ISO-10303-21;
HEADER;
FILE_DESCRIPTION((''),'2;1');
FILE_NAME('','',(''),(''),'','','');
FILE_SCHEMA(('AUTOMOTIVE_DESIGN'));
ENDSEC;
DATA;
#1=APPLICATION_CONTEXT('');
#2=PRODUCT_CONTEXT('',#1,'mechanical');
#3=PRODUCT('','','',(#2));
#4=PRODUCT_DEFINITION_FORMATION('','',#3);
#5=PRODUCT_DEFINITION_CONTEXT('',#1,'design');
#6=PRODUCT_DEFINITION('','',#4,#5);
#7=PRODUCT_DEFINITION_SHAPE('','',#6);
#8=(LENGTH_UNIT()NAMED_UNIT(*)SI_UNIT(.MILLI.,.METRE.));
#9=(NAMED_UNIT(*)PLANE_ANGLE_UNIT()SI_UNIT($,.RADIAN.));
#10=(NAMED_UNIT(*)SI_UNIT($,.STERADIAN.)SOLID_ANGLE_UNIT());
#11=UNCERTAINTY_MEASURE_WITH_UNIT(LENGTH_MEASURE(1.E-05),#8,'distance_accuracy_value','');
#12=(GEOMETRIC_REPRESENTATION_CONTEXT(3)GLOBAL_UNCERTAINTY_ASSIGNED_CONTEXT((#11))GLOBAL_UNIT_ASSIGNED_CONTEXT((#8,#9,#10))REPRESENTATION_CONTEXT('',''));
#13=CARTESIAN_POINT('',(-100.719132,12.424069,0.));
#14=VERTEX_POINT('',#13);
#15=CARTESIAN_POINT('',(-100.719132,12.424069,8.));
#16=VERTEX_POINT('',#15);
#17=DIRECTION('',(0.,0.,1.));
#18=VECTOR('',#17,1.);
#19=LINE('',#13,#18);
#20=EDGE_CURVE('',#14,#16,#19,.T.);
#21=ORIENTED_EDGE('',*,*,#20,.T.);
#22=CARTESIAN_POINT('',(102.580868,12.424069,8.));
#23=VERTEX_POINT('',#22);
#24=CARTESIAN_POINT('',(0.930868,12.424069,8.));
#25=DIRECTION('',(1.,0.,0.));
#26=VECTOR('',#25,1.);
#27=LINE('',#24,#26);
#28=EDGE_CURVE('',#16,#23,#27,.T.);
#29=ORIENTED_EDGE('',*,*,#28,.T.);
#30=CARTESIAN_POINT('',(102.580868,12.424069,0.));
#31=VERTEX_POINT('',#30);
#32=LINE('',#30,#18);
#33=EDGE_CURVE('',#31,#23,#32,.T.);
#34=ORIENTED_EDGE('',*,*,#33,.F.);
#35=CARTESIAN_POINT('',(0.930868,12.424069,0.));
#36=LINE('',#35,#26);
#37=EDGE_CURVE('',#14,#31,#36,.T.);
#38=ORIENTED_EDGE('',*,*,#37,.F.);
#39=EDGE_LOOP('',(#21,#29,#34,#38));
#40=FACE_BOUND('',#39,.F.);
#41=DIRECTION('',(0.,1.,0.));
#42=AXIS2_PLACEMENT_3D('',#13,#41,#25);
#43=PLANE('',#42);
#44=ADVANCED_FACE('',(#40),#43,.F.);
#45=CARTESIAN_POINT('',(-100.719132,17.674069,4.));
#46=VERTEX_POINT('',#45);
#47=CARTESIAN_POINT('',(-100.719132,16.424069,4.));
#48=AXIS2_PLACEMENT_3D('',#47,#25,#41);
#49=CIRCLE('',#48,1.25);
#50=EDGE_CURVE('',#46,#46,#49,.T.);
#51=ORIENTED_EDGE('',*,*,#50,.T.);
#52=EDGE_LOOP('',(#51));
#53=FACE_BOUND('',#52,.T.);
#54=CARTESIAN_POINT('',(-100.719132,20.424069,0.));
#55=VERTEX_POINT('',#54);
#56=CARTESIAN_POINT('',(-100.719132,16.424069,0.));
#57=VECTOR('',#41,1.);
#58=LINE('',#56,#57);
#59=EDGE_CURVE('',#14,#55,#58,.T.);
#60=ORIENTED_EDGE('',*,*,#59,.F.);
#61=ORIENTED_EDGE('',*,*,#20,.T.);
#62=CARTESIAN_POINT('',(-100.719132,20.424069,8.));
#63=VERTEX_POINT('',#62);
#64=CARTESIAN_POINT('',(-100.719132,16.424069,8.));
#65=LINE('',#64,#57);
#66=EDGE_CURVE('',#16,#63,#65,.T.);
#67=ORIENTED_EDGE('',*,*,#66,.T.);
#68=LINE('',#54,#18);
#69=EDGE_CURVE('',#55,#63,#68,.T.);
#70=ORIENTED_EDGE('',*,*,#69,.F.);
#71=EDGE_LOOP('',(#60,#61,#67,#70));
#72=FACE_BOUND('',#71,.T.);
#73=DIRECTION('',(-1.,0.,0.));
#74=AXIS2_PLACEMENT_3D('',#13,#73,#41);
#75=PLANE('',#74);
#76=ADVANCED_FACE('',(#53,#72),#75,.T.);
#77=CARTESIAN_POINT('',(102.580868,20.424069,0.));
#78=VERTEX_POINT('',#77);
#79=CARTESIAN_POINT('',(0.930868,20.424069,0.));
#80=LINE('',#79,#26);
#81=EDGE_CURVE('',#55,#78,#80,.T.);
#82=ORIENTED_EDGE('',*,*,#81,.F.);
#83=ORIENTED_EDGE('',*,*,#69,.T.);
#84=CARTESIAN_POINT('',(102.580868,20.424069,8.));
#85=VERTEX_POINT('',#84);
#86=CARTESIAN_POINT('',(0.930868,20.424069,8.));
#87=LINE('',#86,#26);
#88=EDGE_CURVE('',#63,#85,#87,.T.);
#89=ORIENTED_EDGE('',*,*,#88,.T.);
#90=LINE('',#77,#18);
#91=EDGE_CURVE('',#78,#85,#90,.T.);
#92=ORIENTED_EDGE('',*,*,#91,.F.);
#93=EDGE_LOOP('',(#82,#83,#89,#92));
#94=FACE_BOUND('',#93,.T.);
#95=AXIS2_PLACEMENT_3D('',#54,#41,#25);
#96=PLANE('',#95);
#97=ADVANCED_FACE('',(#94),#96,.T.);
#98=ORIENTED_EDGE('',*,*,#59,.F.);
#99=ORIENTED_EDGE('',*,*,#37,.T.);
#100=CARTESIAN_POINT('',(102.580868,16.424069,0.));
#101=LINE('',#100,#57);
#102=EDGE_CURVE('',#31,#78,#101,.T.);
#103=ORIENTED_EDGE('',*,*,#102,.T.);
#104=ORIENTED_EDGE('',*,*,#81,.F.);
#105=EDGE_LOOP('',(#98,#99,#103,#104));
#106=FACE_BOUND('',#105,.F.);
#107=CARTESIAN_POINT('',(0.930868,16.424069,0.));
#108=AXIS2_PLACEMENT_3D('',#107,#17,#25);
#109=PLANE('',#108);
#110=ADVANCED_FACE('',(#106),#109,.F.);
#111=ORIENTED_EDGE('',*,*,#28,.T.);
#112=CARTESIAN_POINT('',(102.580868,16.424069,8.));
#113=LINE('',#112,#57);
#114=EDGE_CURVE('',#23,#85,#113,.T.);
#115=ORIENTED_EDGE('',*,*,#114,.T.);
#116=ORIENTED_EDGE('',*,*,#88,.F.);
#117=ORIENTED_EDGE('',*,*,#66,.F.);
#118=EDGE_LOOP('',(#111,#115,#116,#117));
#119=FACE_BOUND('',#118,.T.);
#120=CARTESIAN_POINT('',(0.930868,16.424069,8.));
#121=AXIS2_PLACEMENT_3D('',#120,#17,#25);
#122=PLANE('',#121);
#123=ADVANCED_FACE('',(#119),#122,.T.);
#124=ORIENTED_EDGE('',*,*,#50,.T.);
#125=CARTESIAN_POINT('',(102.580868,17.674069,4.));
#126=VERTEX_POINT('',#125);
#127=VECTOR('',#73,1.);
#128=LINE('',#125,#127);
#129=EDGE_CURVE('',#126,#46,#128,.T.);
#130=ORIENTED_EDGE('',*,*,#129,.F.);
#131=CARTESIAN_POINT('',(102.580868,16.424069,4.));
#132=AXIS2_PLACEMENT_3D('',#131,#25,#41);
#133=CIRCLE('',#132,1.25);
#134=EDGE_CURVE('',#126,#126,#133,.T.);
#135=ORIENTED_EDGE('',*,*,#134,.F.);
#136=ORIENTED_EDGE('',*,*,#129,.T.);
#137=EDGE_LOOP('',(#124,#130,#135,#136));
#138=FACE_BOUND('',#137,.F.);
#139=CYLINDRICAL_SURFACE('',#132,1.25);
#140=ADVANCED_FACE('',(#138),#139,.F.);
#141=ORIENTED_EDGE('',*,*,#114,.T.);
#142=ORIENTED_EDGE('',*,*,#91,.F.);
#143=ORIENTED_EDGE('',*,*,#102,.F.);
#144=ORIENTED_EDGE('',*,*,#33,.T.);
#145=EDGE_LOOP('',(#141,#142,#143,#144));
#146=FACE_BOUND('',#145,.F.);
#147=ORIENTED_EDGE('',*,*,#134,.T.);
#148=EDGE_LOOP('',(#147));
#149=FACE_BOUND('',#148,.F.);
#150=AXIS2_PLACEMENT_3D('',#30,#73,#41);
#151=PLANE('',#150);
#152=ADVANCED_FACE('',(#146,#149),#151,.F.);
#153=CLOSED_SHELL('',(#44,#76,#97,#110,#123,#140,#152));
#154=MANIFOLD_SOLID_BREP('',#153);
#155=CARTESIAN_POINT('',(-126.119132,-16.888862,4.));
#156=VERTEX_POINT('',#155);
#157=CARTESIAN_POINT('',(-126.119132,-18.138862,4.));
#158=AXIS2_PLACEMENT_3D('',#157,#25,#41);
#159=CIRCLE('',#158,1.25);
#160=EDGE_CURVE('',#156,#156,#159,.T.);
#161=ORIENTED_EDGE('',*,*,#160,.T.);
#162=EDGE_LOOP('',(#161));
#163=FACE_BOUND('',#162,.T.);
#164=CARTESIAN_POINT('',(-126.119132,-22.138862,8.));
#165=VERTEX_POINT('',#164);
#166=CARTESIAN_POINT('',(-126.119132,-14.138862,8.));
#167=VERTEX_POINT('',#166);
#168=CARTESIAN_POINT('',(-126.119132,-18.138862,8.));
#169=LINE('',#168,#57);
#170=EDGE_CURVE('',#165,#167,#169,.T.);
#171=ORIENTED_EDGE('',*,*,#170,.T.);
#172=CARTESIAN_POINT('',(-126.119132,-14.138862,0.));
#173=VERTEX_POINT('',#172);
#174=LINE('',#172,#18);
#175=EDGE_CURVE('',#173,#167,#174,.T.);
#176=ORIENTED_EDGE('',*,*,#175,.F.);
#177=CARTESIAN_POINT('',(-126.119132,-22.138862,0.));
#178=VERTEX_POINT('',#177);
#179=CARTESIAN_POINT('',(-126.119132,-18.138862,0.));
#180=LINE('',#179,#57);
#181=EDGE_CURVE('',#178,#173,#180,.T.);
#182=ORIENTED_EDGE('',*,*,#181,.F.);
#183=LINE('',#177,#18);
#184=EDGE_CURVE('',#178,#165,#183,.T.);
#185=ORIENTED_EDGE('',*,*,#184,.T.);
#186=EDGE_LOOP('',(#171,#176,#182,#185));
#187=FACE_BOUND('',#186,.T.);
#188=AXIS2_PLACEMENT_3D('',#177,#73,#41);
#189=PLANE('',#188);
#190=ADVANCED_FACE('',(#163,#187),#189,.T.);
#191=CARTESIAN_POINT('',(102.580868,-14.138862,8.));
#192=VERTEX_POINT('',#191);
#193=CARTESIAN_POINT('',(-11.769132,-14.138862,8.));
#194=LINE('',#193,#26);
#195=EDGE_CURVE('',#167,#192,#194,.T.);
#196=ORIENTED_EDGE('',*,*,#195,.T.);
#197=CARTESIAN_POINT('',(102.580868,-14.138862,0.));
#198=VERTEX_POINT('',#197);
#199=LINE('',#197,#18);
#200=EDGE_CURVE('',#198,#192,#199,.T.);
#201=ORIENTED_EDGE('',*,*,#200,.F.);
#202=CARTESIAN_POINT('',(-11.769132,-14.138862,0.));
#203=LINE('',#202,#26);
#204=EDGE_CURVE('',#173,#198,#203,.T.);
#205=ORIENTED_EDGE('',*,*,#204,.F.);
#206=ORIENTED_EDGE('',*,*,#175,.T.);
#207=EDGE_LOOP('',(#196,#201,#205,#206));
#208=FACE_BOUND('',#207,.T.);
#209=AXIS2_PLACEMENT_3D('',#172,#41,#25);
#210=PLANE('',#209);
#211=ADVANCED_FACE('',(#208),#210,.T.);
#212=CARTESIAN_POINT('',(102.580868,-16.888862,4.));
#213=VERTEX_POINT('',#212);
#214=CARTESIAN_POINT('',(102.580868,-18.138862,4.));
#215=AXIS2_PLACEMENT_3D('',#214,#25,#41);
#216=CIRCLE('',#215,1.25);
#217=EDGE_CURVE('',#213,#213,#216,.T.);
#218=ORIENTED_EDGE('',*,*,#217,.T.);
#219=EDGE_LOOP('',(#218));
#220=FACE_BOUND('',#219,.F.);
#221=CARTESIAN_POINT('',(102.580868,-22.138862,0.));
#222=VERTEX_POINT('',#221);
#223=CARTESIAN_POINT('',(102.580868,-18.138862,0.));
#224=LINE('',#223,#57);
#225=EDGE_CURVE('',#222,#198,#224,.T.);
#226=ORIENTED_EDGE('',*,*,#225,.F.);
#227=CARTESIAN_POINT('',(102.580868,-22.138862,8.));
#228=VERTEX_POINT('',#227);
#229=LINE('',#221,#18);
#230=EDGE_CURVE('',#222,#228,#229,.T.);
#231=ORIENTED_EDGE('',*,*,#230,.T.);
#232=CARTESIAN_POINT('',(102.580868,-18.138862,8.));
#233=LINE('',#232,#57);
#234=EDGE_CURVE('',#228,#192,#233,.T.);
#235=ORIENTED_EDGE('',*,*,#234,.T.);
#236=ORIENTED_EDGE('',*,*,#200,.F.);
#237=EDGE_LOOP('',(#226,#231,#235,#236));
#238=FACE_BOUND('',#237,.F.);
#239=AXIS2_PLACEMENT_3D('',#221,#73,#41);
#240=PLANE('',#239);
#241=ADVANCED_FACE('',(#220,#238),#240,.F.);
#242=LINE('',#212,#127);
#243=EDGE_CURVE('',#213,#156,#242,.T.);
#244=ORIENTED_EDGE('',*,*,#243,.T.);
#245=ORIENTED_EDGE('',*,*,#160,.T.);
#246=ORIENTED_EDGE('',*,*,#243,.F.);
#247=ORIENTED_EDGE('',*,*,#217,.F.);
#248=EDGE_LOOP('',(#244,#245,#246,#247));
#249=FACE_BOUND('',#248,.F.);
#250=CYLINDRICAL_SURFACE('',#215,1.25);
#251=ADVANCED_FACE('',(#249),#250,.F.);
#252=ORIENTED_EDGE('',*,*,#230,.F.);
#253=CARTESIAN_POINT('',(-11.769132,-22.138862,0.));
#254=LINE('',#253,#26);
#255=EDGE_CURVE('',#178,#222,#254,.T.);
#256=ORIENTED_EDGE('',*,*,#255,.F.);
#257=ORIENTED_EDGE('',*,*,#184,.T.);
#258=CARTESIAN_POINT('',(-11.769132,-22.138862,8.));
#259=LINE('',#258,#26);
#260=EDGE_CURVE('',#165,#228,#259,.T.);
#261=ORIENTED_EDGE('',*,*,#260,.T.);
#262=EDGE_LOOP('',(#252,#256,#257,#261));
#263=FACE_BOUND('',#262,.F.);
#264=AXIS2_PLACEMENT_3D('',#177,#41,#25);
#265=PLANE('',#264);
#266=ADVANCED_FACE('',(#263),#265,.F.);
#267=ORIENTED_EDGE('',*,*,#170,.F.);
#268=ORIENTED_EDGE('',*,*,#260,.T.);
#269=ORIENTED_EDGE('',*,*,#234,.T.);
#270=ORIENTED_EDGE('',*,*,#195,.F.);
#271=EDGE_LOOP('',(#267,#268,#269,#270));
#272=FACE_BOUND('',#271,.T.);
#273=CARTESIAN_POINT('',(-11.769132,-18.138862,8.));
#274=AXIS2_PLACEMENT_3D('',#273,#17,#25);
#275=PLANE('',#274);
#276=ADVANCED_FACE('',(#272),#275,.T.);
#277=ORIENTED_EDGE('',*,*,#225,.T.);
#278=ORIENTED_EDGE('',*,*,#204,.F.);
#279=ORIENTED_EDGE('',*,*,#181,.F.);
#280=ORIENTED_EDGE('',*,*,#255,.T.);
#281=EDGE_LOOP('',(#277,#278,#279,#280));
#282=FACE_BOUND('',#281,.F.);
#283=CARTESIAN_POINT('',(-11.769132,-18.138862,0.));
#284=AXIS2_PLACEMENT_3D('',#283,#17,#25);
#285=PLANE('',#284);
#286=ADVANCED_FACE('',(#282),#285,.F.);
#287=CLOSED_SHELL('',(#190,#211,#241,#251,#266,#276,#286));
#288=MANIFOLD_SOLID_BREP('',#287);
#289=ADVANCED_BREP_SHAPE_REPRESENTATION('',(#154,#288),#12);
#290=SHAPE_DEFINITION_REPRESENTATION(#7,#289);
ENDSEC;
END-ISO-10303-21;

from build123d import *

# Parameters (mm, degrees)
F0_W     = 203.3
F0_H     = 8
F0_W_2   = 228.7
F1_DEPTH = 8
F2_R     = 1.25
F3_DEPTH = 228.701


with BuildPart() as f1:
    # F0 (on Top) → F1 (new body)
    with BuildSketch(Plane.XY):
        with Locations((0.930868, 16.424069)):
            Rectangle(F0_W, F0_H)
        with Locations((-11.769132, -18.138862)):
            Rectangle(F0_W_2, F0_H)
    extrude(amount=F1_DEPTH)

    # F2 (on face) → F3 (cut, through all)
    with BuildSketch(Plane.YZ.offset(102.580868)):
        with Locations((16.424069, 4)):
            Circle(F2_R)
        with Locations((-18.138862, 4)):
            Circle(F2_R)
    extrude(amount=-F3_DEPTH, mode=Mode.SUBTRACT)


solid = f1.part
